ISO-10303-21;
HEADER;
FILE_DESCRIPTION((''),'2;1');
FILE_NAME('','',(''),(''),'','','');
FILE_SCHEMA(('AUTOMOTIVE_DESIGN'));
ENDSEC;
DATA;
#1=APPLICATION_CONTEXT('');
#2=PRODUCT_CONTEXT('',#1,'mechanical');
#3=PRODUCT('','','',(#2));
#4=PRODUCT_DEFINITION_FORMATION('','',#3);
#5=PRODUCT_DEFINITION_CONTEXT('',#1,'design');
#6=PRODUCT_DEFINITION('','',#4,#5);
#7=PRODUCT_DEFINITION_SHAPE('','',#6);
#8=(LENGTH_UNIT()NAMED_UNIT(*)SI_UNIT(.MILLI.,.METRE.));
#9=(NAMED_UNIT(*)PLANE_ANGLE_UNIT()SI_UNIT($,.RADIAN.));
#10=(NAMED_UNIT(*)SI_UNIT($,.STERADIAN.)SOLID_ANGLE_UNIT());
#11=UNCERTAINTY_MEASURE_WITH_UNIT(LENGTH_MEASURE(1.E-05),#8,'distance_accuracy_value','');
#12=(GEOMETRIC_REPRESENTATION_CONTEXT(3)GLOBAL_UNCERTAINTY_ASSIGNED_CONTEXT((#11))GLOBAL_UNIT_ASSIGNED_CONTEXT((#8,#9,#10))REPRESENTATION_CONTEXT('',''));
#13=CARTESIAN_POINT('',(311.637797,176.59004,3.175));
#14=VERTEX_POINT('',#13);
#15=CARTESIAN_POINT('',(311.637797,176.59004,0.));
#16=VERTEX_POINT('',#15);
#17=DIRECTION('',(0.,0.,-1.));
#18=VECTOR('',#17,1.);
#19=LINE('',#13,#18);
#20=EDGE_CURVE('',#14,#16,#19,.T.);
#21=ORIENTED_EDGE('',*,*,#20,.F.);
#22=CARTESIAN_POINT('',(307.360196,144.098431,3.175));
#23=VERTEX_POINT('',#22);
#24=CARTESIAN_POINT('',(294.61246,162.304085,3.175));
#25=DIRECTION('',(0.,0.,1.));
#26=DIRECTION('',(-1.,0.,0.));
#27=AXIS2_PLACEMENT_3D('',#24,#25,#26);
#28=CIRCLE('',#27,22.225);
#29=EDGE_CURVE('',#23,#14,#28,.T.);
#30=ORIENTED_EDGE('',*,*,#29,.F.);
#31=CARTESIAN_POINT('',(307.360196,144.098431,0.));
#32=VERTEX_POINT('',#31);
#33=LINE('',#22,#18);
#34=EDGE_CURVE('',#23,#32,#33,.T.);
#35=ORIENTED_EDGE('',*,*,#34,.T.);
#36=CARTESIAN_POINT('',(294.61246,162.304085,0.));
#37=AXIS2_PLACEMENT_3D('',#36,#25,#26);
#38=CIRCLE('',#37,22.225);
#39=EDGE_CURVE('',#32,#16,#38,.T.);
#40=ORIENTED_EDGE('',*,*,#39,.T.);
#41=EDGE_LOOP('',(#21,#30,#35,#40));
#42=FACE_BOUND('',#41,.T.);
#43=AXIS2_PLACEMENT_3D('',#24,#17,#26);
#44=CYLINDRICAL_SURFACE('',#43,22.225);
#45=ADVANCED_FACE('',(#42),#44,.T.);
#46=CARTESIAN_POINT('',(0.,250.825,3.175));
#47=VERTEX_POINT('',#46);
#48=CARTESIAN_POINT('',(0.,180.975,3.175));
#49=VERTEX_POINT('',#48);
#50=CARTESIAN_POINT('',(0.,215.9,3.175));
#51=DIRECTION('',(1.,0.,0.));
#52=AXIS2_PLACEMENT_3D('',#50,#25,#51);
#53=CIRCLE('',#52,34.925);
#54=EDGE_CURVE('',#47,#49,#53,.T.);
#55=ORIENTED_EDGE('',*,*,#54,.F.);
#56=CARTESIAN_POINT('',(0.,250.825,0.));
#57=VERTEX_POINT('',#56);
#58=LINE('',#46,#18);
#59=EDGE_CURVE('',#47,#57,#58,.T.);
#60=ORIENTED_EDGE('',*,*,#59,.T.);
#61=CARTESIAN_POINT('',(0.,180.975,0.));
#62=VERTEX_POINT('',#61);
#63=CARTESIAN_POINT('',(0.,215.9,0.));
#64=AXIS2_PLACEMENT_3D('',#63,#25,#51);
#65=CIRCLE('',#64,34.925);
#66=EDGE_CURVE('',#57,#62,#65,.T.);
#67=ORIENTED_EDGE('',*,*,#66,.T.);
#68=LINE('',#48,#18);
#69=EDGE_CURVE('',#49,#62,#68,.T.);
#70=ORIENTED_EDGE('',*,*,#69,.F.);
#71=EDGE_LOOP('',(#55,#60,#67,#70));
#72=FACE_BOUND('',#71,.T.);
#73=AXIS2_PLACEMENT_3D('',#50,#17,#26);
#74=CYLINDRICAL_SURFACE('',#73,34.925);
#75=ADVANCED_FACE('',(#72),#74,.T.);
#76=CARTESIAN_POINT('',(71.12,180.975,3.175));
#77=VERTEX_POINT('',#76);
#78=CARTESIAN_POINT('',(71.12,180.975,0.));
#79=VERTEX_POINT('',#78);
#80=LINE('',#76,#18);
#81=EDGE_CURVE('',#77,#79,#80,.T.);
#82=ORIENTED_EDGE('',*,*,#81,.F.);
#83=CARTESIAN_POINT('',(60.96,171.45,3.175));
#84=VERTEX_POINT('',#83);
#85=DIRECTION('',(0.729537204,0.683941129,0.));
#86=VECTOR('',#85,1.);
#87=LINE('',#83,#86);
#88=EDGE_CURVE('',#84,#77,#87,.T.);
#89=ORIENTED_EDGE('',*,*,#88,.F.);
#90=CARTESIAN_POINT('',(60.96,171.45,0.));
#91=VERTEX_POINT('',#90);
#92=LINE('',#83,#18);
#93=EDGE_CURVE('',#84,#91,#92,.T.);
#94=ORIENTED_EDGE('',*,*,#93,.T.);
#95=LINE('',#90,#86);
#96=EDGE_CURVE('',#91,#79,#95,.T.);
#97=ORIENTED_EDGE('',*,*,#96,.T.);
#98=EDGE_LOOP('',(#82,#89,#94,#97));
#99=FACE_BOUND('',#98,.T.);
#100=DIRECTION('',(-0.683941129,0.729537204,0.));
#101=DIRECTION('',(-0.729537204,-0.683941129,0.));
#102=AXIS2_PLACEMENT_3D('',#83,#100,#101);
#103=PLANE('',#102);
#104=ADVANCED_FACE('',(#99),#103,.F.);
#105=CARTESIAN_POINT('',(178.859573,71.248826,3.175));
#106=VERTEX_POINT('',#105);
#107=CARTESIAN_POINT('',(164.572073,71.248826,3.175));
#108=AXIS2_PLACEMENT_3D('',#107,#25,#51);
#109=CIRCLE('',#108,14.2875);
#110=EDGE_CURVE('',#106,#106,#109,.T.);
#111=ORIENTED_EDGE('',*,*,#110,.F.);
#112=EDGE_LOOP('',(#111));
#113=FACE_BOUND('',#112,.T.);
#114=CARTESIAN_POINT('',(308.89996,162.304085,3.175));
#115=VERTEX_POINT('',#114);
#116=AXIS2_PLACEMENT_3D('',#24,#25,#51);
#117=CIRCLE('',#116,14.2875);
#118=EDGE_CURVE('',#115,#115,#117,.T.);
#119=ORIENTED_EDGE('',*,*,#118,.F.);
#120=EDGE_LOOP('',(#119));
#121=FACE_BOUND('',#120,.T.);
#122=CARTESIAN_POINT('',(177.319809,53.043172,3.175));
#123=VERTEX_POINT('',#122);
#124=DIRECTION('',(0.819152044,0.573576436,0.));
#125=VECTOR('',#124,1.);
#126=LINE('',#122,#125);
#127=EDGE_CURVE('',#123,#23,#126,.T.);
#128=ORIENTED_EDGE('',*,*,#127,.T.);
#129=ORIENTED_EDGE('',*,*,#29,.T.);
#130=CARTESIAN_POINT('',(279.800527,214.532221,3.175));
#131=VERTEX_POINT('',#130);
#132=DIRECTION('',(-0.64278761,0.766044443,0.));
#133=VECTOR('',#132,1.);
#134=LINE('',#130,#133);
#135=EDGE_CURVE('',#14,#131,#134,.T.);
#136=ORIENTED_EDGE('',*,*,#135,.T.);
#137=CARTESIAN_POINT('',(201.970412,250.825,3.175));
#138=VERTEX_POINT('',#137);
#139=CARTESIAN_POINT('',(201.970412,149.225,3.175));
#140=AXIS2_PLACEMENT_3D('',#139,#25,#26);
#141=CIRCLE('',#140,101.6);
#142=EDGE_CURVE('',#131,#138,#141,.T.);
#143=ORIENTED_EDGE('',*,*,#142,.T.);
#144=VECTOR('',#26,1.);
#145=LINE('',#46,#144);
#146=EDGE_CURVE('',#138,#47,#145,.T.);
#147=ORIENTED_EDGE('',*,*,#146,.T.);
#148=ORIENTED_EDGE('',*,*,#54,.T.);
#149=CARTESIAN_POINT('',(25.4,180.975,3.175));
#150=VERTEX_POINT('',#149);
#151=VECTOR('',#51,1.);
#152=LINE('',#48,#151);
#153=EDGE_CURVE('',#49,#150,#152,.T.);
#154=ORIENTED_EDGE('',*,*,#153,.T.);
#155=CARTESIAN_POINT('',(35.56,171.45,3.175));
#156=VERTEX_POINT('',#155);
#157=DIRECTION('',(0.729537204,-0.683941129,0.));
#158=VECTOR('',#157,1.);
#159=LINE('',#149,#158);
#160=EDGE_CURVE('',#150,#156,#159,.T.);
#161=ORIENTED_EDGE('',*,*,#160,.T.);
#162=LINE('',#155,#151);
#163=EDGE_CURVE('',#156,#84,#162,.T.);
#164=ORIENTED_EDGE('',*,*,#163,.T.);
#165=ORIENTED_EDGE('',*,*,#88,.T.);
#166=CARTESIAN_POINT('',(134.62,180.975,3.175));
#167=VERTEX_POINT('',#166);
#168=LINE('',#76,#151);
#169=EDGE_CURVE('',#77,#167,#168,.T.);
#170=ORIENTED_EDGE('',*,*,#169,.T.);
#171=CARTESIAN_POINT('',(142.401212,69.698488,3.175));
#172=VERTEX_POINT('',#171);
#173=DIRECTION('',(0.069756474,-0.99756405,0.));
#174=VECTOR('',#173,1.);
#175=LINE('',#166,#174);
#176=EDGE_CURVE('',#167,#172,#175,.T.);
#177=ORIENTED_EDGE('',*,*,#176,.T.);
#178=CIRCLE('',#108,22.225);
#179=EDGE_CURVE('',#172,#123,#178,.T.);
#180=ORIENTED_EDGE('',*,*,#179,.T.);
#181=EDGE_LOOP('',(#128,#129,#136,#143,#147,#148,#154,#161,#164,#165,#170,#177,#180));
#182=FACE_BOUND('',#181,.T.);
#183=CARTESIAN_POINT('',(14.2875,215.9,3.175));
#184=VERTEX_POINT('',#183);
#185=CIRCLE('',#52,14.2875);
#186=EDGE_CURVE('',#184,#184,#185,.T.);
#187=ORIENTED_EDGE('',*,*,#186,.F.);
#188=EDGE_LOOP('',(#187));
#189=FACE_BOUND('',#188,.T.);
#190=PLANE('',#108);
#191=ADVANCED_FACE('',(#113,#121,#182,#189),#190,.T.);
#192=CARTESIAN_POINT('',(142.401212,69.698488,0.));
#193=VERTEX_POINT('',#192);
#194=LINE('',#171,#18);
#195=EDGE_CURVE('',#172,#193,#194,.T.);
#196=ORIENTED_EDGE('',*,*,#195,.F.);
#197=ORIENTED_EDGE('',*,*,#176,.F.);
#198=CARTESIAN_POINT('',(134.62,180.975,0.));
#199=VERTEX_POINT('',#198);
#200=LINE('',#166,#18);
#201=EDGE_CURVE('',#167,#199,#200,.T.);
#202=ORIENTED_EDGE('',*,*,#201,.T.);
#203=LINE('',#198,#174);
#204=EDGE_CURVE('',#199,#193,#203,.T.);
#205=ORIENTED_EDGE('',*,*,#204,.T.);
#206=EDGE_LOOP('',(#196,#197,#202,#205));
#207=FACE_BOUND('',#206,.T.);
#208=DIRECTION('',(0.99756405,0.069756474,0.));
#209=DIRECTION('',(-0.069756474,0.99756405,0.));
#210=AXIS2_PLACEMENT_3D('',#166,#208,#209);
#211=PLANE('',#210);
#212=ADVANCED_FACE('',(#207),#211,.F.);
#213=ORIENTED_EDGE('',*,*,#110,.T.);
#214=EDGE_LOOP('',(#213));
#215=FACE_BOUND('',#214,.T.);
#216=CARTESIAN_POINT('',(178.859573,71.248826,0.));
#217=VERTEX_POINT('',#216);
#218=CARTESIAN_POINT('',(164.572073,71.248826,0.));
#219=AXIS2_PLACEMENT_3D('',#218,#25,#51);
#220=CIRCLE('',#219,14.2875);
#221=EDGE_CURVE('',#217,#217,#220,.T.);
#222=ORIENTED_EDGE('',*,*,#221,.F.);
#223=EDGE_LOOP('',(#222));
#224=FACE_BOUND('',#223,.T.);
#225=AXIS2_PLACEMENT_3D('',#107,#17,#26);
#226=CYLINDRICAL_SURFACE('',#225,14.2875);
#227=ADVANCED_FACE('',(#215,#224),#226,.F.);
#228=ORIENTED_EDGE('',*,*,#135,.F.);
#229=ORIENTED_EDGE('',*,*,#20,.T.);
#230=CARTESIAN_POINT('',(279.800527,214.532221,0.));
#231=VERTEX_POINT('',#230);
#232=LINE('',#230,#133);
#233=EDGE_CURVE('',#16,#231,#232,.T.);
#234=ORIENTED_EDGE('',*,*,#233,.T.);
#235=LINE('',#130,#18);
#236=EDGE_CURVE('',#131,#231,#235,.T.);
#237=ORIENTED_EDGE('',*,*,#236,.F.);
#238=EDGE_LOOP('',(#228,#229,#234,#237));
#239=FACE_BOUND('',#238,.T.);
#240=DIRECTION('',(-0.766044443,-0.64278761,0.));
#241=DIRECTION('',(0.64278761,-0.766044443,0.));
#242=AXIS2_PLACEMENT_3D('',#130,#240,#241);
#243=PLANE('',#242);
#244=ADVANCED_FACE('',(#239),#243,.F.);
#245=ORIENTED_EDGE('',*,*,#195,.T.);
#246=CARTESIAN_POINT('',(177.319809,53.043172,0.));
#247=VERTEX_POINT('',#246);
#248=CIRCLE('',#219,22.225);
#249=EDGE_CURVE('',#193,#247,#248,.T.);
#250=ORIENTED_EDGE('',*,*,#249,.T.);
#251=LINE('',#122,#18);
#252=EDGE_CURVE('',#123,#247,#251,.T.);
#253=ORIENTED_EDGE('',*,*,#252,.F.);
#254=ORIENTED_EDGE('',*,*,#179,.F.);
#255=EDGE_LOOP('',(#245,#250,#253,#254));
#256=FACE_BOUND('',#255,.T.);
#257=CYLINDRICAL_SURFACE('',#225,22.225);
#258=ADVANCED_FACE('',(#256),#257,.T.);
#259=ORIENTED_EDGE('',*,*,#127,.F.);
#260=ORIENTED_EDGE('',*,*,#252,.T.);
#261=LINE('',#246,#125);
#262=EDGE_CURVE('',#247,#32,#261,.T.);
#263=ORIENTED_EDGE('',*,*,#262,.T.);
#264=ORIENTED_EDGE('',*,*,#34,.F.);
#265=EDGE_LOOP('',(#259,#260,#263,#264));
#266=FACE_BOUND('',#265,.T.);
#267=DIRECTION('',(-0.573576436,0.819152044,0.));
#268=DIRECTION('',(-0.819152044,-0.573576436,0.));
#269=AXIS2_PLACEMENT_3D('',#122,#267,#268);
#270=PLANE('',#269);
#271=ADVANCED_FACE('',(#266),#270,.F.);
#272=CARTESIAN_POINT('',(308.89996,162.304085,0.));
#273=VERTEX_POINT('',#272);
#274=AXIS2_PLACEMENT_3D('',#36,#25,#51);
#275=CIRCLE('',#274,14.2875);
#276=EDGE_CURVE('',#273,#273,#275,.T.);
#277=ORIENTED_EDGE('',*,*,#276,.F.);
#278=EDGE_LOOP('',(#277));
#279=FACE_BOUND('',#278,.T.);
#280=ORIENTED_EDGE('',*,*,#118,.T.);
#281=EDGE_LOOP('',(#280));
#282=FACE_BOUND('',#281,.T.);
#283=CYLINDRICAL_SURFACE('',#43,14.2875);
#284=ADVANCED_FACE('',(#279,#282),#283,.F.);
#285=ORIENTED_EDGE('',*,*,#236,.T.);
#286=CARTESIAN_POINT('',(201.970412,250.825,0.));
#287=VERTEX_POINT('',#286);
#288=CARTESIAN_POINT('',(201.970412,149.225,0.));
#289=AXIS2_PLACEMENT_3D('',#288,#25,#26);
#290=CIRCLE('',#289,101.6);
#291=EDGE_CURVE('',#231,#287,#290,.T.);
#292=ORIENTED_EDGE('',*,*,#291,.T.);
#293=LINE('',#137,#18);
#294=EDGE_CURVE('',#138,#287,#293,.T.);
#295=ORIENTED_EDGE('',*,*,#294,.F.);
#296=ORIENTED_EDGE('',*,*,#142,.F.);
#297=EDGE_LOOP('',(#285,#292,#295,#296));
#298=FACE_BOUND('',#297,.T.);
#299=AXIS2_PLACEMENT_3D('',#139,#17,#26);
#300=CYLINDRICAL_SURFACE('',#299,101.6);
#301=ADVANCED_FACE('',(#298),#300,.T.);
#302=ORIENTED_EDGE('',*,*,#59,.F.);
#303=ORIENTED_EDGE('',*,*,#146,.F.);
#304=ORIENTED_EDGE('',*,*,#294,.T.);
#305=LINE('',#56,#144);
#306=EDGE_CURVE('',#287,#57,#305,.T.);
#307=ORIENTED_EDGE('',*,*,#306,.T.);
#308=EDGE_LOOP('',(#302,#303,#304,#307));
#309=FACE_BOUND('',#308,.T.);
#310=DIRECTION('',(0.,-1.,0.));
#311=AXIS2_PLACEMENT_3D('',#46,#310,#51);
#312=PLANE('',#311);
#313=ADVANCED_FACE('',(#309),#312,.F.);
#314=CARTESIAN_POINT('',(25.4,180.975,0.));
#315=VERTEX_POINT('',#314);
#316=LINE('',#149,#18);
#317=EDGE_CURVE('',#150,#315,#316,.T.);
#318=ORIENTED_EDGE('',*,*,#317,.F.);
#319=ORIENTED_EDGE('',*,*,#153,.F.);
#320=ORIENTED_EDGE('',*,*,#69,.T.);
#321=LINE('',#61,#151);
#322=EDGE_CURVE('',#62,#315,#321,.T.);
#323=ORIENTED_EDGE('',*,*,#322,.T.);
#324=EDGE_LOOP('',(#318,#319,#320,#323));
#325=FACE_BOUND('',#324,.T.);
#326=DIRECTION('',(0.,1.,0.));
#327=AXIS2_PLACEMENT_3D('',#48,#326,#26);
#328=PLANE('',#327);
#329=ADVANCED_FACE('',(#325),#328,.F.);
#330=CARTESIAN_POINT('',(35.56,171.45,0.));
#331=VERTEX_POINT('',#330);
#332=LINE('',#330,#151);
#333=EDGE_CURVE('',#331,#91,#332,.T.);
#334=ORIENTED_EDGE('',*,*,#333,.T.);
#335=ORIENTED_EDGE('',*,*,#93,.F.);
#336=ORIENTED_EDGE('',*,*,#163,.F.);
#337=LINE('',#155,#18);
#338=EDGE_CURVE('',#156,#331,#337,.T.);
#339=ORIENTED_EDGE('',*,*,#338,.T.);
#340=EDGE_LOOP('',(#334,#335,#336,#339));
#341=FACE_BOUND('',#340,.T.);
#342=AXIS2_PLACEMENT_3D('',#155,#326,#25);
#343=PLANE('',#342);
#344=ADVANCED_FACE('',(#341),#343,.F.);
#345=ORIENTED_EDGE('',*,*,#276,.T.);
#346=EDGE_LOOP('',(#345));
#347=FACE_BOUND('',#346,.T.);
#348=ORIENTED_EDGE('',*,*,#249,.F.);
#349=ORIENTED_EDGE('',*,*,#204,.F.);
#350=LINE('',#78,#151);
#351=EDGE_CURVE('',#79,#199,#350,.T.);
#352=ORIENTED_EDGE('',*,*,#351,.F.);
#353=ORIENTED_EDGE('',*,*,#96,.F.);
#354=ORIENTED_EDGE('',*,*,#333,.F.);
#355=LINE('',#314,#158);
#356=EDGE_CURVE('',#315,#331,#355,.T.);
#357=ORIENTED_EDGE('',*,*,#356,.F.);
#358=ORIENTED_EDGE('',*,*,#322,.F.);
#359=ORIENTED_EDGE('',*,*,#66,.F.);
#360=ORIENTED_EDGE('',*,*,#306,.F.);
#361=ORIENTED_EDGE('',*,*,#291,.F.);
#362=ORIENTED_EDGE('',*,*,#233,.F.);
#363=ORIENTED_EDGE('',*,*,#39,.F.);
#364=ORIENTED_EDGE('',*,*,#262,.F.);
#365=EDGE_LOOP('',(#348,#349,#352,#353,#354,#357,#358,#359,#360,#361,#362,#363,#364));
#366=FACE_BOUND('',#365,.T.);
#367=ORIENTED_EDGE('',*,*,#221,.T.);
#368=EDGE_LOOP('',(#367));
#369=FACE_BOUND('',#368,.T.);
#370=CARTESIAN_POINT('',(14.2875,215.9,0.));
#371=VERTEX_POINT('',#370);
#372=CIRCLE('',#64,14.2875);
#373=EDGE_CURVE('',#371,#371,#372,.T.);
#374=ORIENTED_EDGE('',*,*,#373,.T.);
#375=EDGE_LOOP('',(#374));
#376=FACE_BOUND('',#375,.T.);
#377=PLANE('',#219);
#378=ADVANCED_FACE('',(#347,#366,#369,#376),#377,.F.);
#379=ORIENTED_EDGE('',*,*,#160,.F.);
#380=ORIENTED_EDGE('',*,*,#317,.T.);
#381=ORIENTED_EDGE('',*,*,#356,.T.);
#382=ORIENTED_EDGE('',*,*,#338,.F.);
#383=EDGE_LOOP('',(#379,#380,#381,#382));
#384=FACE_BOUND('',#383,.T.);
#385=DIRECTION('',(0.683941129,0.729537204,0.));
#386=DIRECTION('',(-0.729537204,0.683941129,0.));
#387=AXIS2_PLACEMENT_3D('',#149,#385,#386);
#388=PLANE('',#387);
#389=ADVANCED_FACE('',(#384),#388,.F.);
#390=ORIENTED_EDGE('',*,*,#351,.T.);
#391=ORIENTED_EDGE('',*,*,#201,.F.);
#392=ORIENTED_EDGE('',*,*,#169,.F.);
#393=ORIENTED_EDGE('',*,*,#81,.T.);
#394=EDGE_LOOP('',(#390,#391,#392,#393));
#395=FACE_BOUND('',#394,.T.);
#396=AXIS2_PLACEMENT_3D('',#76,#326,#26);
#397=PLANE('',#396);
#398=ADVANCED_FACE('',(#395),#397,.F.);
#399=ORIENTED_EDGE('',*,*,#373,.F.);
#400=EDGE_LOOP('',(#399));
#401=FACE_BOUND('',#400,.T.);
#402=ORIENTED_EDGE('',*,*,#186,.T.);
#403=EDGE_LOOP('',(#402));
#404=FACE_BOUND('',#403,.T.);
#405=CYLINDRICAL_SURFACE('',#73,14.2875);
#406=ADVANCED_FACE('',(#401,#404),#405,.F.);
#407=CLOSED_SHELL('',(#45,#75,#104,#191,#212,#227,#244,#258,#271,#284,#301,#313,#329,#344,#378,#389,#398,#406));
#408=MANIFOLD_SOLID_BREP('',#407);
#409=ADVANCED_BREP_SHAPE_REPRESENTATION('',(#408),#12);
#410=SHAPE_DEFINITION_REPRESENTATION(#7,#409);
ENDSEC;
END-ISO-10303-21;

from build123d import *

# Parameters (mm, degrees)
SKETCH1_R           = 14.2875
BOSS_EXTRUDE1_DEPTH = 3.175


with BuildPart() as part:
    # Sketch1 → Boss-Extrude1 (new body)
    with BuildSketch(Plane.XY):
        with BuildLine():
            Line((134.62, 180.975), (142.401211704, 69.698488351))
            ThreePointArc((142.401211704, 69.698488351), (155.003963594, 51.188868036), (177.319809019, 53.043171796))
            Line((177.319809019, 53.043171796), (307.36019605, 144.098431067))
            ThreePointArc((307.36019605, 144.098431067), (316.647321796, 159.403140629), (311.6377975, 176.590039876))
            Line((311.6377975, 176.590039876), (279.800527192, 214.532221144))
            ThreePointArc((279.800527192, 214.532221144), (244.908427164, 241.305871163), (201.970411771, 250.825))
            Line((201.970411771, 250.825), (0, 250.825))
            ThreePointArc((0, 250.825), (-34.925, 215.9), (0, 180.975))
            Line((0, 180.975), (25.4, 180.975))
            Line((25.4, 180.975), (35.56, 171.45))
            Line((35.56, 171.45), (60.96, 171.45))
            Line((60.96, 171.45), (71.12, 180.975))
            Line((71.12, 180.975), (134.62, 180.975))
        make_face()
        with Locations((294.612459752, 162.304085251)):
            Circle(SKETCH1_R, mode=Mode.SUBTRACT)
        with Locations((164.572072721, 71.24882598)):
            Circle(SKETCH1_R, mode=Mode.SUBTRACT)
        with Locations((0, 215.9)):
            Circle(SKETCH1_R, mode=Mode.SUBTRACT)
    extrude(amount=BOSS_EXTRUDE1_DEPTH)


solid = part.part
